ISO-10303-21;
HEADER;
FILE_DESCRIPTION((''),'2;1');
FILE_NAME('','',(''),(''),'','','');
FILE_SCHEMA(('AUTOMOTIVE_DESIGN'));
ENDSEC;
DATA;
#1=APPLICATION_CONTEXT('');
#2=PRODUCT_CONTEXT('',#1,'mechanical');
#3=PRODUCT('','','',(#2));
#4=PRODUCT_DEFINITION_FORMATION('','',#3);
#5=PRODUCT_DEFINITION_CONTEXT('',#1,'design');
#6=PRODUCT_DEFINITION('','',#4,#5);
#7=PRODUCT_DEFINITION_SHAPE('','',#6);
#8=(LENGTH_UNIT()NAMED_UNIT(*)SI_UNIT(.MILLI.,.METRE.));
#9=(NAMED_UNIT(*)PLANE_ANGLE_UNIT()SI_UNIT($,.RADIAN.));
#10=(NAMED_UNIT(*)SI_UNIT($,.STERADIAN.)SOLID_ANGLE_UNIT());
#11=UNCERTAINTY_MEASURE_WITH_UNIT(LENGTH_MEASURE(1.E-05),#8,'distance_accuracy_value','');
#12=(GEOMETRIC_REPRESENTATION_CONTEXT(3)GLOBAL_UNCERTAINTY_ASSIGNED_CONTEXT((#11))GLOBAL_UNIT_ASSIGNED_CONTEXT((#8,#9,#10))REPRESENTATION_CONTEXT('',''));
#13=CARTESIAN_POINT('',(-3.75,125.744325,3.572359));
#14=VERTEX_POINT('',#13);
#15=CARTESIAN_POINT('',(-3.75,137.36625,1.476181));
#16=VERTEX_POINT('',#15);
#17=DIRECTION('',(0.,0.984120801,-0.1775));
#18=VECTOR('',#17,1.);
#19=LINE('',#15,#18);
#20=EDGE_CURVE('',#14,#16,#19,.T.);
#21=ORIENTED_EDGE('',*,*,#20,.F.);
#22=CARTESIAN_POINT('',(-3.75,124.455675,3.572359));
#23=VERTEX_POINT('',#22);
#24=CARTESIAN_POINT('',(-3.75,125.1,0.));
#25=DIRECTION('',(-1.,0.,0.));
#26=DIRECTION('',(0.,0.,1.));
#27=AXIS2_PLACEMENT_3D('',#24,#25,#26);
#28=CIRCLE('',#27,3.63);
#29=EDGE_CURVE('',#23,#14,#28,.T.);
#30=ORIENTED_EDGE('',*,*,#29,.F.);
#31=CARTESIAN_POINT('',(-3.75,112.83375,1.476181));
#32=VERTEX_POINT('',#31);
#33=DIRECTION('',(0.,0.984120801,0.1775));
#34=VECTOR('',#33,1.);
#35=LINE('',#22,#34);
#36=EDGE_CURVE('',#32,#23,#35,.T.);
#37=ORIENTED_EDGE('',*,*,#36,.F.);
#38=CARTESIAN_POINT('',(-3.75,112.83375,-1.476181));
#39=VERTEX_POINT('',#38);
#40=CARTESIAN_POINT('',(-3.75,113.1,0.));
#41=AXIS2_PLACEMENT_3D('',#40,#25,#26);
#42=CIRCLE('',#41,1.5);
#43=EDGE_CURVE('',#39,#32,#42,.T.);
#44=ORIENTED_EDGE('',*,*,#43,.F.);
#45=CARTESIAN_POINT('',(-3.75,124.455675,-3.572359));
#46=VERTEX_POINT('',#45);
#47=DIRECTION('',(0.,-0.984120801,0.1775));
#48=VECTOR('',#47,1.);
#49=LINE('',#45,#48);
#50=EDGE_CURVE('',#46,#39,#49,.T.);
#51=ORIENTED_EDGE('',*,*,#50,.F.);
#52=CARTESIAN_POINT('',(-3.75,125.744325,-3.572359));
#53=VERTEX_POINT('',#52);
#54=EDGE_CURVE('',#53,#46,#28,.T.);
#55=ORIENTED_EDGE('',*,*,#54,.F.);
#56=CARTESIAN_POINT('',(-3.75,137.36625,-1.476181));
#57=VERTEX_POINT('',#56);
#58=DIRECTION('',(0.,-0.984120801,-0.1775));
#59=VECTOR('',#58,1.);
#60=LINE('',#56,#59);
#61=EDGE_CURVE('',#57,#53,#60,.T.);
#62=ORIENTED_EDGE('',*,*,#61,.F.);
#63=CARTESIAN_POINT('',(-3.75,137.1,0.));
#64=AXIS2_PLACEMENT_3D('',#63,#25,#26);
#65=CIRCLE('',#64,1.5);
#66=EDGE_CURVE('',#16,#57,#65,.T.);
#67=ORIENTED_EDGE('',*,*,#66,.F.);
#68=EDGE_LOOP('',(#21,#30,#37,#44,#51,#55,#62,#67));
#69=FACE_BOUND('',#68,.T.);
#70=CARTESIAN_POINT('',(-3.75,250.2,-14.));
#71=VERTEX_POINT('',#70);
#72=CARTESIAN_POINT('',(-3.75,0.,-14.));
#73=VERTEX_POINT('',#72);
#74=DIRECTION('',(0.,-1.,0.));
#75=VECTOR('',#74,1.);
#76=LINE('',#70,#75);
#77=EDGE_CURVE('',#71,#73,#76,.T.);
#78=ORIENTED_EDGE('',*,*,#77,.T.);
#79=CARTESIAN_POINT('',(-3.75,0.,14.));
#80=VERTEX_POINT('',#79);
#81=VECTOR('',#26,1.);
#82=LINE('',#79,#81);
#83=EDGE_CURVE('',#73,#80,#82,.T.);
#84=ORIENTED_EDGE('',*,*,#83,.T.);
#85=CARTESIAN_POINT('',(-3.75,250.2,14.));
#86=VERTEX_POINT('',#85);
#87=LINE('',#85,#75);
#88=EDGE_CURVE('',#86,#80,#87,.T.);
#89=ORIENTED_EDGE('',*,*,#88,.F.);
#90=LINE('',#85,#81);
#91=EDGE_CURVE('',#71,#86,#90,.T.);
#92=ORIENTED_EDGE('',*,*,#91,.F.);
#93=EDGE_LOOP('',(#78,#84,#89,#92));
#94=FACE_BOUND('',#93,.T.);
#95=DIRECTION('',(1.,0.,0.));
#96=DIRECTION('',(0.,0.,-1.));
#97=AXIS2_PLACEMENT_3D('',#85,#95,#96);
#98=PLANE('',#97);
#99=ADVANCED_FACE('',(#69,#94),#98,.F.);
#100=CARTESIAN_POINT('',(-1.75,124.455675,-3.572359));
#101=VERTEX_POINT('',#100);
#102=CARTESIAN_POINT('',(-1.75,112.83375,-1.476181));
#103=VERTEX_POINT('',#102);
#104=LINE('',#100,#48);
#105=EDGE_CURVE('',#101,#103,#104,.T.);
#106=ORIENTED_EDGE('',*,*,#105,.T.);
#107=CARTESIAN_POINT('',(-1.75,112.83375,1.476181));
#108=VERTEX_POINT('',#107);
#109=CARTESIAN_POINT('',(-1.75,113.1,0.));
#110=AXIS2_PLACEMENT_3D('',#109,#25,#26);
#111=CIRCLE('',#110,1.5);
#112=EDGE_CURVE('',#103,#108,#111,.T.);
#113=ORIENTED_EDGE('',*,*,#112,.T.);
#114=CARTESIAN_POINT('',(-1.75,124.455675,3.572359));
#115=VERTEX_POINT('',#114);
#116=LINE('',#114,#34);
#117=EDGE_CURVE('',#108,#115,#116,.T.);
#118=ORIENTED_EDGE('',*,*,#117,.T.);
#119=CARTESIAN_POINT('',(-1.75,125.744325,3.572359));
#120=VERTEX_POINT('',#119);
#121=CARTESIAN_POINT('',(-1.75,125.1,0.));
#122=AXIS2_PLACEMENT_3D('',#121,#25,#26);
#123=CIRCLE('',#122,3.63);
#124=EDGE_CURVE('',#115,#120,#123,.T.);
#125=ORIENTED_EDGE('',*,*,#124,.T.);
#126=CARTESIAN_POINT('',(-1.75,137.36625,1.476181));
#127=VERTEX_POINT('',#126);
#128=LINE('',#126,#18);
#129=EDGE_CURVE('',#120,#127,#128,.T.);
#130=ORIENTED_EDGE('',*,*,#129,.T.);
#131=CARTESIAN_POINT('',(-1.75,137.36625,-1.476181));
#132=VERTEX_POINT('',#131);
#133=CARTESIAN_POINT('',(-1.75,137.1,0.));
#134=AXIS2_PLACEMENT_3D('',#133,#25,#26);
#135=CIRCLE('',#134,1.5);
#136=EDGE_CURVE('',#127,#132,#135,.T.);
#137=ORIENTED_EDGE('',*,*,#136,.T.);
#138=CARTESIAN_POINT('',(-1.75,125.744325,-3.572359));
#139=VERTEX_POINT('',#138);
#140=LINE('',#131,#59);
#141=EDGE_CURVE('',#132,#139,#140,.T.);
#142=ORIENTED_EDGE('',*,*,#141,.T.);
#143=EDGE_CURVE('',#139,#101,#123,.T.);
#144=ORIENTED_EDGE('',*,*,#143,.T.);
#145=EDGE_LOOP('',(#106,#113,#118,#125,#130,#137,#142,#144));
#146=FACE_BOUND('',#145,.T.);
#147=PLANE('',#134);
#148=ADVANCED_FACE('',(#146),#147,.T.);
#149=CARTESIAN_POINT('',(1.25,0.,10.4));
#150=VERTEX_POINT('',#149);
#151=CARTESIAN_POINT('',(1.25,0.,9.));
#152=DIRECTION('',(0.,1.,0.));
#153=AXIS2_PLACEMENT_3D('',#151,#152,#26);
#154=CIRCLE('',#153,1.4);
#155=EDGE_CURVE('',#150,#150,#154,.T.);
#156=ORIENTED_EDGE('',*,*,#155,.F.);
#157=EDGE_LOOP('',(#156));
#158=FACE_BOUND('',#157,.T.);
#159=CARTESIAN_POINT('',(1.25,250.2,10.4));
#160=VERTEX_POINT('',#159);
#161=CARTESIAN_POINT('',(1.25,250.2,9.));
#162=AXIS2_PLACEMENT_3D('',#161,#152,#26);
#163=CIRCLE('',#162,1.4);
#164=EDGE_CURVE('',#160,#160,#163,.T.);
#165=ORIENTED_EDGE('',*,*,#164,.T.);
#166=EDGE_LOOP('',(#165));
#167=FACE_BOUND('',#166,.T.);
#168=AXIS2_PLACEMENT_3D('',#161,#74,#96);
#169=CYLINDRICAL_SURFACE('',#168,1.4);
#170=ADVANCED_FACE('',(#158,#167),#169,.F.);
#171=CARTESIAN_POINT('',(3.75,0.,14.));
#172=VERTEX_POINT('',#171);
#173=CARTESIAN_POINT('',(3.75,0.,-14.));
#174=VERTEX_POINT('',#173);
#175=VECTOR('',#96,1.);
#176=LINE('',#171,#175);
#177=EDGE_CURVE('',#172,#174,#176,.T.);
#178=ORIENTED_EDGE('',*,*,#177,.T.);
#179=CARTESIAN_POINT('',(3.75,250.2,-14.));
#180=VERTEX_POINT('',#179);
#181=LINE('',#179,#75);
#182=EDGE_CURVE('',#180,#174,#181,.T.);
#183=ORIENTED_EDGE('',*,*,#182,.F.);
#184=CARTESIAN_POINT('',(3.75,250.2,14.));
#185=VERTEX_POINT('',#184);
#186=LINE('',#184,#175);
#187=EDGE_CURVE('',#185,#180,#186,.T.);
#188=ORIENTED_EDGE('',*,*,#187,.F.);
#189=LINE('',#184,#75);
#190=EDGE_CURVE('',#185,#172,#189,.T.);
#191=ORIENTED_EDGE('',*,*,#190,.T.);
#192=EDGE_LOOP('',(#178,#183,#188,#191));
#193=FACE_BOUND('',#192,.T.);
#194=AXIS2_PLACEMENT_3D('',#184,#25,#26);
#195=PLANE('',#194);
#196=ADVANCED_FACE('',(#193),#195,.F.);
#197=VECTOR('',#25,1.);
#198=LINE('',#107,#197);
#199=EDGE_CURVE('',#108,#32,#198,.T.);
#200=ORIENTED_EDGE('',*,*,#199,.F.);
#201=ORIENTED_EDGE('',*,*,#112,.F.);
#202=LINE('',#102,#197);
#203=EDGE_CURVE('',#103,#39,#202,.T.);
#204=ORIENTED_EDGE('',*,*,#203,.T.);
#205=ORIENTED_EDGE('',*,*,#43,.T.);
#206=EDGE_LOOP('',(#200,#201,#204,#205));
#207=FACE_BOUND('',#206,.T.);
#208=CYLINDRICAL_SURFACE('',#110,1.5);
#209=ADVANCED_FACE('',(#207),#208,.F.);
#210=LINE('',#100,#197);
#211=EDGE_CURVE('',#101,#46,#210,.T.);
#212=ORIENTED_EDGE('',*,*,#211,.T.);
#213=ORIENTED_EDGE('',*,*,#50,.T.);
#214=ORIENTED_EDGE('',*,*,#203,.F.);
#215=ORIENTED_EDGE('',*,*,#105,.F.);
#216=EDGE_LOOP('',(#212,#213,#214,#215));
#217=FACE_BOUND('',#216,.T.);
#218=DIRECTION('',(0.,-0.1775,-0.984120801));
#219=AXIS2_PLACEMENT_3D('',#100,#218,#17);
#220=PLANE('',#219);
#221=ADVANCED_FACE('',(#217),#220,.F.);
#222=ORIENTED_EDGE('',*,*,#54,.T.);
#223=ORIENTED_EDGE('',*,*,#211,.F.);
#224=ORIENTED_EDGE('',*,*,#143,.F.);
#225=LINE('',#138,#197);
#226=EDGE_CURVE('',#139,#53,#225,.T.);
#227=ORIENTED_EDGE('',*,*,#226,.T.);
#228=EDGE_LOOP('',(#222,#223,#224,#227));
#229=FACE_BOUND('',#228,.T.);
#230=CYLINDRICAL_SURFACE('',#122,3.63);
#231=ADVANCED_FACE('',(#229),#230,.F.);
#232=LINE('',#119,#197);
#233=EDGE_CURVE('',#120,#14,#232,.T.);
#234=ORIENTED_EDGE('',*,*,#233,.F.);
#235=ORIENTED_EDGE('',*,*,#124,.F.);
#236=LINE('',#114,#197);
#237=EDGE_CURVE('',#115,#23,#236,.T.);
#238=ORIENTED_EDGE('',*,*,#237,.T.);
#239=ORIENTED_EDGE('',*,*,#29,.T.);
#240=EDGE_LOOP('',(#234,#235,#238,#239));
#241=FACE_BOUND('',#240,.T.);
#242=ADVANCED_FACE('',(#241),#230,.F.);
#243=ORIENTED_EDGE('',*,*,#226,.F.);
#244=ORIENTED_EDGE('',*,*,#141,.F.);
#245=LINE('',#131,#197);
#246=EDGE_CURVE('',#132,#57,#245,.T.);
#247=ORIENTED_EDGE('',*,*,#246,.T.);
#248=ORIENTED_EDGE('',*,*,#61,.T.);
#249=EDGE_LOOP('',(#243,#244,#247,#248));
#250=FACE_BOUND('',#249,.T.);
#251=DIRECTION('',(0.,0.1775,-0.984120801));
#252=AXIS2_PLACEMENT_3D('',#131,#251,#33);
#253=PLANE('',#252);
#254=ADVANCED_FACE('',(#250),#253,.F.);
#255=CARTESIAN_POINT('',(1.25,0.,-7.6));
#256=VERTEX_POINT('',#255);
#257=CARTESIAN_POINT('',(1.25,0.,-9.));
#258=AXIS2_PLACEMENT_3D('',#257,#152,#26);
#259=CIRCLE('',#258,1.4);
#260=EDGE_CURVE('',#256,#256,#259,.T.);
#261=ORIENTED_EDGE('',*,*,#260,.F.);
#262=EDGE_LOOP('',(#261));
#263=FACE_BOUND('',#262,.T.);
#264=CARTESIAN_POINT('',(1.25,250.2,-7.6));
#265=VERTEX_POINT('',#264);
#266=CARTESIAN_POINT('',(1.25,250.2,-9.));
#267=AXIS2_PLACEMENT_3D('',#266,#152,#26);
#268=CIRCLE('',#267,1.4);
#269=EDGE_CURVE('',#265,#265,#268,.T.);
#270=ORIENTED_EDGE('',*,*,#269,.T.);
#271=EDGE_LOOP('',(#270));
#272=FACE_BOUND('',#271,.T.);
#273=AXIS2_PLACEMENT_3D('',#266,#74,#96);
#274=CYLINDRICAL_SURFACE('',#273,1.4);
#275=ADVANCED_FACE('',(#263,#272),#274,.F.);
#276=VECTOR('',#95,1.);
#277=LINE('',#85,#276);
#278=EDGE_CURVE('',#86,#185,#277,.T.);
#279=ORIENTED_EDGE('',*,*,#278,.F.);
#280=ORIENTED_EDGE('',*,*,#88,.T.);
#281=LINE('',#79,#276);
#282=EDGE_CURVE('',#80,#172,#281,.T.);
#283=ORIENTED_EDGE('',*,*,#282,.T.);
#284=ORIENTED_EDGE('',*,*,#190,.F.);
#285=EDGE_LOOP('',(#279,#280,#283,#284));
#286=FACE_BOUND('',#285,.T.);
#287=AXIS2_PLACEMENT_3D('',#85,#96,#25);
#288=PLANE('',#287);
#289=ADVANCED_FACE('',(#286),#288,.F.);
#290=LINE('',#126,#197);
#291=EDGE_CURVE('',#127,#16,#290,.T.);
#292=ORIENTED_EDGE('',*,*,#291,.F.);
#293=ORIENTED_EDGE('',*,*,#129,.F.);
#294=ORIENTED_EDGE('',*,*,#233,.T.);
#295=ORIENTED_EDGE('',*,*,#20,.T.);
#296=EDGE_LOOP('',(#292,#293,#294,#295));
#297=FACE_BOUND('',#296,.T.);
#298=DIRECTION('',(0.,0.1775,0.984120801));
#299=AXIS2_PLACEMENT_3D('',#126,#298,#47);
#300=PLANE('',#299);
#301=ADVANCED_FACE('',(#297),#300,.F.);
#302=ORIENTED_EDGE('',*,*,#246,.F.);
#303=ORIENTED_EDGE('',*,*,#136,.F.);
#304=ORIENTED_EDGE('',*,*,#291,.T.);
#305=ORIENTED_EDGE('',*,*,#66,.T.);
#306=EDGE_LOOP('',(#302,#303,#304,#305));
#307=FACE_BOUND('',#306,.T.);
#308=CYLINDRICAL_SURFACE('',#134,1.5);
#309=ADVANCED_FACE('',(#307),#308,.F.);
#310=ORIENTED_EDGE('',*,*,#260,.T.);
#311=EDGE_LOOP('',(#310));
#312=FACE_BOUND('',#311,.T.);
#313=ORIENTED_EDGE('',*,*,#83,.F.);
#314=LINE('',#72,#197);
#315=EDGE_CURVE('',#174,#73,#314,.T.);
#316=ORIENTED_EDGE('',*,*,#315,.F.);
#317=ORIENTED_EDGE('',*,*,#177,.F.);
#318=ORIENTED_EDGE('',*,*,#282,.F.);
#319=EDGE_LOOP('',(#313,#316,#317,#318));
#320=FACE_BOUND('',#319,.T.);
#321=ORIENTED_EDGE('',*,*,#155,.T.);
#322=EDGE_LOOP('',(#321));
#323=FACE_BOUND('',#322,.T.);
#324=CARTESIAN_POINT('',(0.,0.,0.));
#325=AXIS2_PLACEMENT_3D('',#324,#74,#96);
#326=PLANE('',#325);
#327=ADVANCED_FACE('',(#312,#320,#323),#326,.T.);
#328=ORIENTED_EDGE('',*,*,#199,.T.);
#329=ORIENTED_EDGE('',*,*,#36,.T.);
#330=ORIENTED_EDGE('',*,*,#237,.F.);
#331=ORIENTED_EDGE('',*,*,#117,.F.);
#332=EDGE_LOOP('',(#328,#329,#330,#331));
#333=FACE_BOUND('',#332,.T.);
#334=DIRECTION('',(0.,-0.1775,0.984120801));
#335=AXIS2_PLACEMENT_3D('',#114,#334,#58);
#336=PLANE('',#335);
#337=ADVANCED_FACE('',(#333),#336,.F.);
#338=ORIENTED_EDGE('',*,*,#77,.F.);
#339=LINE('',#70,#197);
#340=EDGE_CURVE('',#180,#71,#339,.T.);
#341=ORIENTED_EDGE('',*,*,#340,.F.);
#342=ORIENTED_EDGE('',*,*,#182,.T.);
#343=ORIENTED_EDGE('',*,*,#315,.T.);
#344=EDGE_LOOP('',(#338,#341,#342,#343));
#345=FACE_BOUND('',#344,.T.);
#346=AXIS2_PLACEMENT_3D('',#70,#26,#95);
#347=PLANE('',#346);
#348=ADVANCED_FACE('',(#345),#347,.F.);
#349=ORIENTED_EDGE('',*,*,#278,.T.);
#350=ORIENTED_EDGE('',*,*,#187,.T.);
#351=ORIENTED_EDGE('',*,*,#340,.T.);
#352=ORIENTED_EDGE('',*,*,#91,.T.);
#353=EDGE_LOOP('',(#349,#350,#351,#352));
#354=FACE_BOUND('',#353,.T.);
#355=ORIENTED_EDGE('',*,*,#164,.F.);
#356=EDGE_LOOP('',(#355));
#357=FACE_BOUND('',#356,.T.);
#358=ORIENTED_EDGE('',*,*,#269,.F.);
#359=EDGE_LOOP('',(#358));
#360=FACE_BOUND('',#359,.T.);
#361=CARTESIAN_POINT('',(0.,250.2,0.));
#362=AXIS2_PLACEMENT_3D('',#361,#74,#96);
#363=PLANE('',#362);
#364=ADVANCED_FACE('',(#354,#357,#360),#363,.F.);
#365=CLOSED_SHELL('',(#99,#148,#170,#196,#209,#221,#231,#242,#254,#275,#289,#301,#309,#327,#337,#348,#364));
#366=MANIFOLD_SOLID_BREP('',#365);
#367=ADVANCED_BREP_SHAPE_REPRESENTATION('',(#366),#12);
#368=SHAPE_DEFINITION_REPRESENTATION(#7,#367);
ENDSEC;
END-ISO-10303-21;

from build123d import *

# Parameters (mm, degrees)
SKETCH1_W           = 7.5
SKETCH1_H           = 28
SKETCH1_R           = 1.4
BOSS_EXTRUDE1_DEPTH = 250.2
CUT_EXTRUDE1_DEPTH  = 2


with BuildPart() as part:
    # Sketch1 → Boss-Extrude1 (new body)
    with BuildSketch(Plane(origin=(0, 0, 0), x_dir=(1, 0, 0), z_dir=(0, 1, 0))):
        Rectangle(SKETCH1_W, SKETCH1_H)
        with Locations(Location((1.25, -9, 0), (0, 0, 270))):
            Circle(SKETCH1_R, mode=Mode.SUBTRACT)
        with Locations(Location((1.25, 9, 0), (0, 0, 270))):
            Circle(SKETCH1_R, mode=Mode.SUBTRACT)
    extrude(amount=BOSS_EXTRUDE1_DEPTH)

    # Sketch3 → Cut-Extrude1 (cut)
    with BuildSketch(Plane.ZY.offset(3.75)):
        with BuildLine():
            Line((-1.476181201, 137.36625), (-3.572358506, 125.744325))
            ThreePointArc((-3.572358506, 125.744325), (-3.63, 125.1), (-3.572358506, 124.455675))
            Line((-3.572358506, 124.455675), (-1.476181201, 112.83375))
            ThreePointArc((-1.476181201, 112.83375), (0, 111.6), (1.476181201, 112.83375))
            Line((1.476181201, 112.83375), (3.572358506, 124.455675))
            ThreePointArc((3.572358506, 124.455675), (3.63, 125.1), (3.572358506, 125.744325))
            Line((3.572358506, 125.744325), (1.476181201, 137.36625))
            ThreePointArc((1.476181201, 137.36625), (0, 138.6), (-1.476181201, 137.36625))
        make_face()
    extrude(amount=-CUT_EXTRUDE1_DEPTH, mode=Mode.SUBTRACT)


solid = part.part
